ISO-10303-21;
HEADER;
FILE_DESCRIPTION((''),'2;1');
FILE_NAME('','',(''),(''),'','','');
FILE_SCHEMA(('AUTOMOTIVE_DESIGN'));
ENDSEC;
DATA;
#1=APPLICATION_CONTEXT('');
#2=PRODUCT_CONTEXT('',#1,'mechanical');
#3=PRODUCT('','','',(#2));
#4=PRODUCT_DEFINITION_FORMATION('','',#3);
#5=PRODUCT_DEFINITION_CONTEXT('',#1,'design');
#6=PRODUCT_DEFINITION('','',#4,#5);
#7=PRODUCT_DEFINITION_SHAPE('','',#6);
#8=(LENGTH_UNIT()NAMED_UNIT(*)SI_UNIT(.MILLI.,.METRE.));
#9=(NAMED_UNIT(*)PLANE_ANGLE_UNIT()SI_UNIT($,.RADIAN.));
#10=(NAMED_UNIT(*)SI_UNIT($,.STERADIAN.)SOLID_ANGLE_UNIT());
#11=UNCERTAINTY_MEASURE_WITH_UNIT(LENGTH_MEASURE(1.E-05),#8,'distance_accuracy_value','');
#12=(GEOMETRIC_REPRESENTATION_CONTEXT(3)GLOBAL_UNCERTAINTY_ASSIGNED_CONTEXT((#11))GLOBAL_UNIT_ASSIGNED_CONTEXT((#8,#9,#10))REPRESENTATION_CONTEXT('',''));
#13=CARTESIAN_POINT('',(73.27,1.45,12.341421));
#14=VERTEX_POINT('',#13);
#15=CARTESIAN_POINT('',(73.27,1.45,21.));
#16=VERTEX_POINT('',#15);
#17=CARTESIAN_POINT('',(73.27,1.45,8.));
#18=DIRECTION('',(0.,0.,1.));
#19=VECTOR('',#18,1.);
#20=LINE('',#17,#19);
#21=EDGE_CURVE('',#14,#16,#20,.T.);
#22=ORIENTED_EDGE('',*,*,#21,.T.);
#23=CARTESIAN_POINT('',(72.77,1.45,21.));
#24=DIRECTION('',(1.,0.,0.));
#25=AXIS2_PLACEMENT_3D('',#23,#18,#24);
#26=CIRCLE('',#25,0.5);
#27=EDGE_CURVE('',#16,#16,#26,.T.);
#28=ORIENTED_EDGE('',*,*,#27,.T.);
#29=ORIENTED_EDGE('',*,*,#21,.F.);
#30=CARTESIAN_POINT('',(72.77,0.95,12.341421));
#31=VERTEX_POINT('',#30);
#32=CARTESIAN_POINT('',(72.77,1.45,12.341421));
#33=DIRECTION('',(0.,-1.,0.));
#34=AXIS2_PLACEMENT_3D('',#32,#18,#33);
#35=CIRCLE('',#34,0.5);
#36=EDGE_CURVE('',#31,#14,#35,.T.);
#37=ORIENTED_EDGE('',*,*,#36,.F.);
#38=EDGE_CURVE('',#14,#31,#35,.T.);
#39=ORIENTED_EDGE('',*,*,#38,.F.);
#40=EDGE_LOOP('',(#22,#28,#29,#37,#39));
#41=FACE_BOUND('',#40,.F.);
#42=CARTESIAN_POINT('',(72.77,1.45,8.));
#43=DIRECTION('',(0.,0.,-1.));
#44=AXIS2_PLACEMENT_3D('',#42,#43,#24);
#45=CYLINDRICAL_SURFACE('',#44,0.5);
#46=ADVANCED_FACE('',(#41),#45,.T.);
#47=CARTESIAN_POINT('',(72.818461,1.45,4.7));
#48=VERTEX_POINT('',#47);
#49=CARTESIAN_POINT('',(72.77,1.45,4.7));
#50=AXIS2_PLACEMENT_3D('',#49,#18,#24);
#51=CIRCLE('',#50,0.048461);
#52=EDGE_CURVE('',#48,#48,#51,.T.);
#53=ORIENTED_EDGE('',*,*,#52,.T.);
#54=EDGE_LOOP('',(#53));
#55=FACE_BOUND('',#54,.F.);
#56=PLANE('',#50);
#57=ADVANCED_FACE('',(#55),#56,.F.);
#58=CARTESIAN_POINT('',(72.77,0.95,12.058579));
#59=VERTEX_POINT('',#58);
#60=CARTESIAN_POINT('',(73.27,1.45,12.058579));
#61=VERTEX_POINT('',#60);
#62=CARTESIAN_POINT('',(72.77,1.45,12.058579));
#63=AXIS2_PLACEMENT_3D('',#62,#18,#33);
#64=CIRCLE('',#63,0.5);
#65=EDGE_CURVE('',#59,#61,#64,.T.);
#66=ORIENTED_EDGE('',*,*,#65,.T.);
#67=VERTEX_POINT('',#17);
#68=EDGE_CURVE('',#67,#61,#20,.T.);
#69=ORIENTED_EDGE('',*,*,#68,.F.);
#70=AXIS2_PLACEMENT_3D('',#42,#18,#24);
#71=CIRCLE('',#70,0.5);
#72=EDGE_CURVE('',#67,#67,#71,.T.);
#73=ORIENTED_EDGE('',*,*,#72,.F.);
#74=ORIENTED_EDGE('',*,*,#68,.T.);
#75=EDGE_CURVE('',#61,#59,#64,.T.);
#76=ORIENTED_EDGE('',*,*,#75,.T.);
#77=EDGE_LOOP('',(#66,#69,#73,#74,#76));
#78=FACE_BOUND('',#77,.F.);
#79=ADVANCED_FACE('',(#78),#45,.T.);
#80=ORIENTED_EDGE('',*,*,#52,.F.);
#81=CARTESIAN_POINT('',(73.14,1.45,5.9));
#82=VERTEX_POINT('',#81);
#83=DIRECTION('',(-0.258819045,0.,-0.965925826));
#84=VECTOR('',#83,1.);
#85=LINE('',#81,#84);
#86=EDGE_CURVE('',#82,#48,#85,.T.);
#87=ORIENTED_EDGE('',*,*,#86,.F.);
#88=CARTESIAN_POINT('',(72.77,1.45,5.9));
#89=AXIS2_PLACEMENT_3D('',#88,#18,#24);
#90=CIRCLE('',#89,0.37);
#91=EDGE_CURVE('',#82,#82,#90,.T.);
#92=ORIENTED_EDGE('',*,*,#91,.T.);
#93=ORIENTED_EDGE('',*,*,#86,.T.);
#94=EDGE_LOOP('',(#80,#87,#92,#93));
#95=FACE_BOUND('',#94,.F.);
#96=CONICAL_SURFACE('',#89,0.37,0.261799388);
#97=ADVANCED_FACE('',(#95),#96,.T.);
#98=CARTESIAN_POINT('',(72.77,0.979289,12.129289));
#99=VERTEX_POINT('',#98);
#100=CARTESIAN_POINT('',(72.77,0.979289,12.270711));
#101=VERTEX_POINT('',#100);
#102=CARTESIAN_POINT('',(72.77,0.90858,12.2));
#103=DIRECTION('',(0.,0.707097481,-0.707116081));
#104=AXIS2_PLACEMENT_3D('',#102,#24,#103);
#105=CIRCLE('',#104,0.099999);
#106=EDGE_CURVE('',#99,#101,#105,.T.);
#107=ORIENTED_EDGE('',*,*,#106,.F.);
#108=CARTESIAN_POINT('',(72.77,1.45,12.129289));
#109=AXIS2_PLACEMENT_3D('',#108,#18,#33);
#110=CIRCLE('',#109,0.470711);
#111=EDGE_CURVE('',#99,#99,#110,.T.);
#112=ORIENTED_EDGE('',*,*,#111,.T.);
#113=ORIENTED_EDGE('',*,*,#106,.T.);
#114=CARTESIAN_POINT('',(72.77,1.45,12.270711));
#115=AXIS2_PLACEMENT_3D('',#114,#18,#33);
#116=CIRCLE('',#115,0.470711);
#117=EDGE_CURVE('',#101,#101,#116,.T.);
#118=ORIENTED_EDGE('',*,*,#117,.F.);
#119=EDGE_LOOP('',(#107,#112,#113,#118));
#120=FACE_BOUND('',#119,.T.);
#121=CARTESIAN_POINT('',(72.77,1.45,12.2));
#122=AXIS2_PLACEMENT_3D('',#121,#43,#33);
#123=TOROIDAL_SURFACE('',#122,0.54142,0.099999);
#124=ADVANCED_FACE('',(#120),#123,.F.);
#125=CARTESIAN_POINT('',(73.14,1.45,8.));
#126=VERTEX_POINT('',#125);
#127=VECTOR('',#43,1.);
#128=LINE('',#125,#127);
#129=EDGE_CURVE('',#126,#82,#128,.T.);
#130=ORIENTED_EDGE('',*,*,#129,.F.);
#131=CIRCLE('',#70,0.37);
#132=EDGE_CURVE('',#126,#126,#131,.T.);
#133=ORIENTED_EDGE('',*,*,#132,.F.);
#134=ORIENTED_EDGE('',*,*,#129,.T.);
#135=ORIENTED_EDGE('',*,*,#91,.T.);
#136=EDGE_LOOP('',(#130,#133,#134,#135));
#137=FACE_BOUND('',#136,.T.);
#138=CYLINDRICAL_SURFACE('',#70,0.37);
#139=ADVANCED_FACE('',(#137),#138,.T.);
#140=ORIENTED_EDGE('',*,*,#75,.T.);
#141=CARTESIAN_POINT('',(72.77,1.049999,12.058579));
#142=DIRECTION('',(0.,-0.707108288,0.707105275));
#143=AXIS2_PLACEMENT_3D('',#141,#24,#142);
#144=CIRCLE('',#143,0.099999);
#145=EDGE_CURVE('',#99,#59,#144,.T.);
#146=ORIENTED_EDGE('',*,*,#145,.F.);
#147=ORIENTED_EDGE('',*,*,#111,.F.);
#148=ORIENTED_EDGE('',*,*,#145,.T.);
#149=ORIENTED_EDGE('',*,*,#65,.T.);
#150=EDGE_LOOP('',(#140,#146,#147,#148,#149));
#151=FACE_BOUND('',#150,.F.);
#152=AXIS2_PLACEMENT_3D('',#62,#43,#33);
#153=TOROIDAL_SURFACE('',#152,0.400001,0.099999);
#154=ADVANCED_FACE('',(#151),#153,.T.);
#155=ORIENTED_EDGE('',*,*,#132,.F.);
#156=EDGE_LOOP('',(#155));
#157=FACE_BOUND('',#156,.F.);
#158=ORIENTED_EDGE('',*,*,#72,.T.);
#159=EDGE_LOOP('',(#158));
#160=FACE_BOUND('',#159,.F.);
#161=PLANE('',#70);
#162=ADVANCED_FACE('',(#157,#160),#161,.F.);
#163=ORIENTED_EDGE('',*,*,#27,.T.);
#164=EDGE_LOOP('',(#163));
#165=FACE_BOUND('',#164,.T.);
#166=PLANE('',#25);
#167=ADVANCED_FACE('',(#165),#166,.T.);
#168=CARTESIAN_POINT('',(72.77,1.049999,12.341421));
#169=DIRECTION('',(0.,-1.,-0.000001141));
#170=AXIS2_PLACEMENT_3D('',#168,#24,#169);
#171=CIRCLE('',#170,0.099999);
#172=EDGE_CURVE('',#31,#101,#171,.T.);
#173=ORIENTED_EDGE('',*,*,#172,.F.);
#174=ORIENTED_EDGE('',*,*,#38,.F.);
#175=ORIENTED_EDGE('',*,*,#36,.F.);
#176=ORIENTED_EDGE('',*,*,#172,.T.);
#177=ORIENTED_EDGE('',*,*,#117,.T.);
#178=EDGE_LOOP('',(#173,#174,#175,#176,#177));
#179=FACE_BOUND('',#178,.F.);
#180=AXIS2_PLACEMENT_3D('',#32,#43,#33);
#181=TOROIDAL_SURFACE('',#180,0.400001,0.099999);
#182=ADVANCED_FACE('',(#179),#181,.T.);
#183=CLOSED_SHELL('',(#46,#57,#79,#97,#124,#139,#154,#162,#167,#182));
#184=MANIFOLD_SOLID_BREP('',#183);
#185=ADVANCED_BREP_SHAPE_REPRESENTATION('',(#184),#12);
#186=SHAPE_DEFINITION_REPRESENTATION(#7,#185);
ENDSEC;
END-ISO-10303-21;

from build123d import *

# Parameters (mm, degrees)
SKETCH037_R      = 0.5
PAD003_DEPTH     = 13
SKETCH038_R      = 0.37
PAD004_DEPTH     = 3.3
CHAMFER004_ANGLE = 15
CHAMFER004_SIZE  = 1.2


with BuildPart() as part:
    # Sketch037 → Pad003 (new body)
    with BuildSketch(Plane.XY):
        Circle(SKETCH037_R)
    extrude(amount=PAD003_DEPTH)

    # Sketch048 → Groove (revolve, cut)
    with BuildSketch(Plane.YZ):
        with BuildLine():
            ThreePointArc((-0.5, 4.341421), (-0.492388, 4.303153), (-0.470711, 4.270711))
            ThreePointArc((-0.470711, 4.129289), (-0.441421, 4.2), (-0.470711, 4.270711))
            ThreePointArc((-0.470711, 4.129289), (-0.492388, 4.096847), (-0.5, 4.058579))
            Line((-0.5, 4.341421), (-0.5, 4.058579))
        make_face()
    revolve(axis=Axis((0, 0, 0), (0, 0, 1)), mode=Mode.SUBTRACT)

    # Sketch038 → Pad004 (join)
    with BuildSketch(Plane.XY):
        Circle(SKETCH038_R)
    extrude(amount=-PAD004_DEPTH)

    # Chamfer004
    chamfer004_edges = [part.edges().sort_by_distance(p)[0] for p in [
        (-0.37, 0, -3.3),
    ]]
    chamfer004_side = part.faces().sort_by_distance((-0.37, 0, -1.65))[0]
    chamfer(chamfer004_edges, length=CHAMFER004_SIZE, angle=CHAMFER004_ANGLE, reference=chamfer004_side)


with BuildPart() as part_1:
    # Body002 placement: moved
    add(part.part.moved(Location((72, -1, 8))))


with BuildPart() as part_2:
    # Clone010 placement: moved
    add(part_1.part.moved(Location((-72, 1, -8))))


with BuildPart() as part_3:
    # Body017 placement: moved
    add(part_2.part.moved(Location((72.77, 1.45, 8))))


solid = part_3.part
